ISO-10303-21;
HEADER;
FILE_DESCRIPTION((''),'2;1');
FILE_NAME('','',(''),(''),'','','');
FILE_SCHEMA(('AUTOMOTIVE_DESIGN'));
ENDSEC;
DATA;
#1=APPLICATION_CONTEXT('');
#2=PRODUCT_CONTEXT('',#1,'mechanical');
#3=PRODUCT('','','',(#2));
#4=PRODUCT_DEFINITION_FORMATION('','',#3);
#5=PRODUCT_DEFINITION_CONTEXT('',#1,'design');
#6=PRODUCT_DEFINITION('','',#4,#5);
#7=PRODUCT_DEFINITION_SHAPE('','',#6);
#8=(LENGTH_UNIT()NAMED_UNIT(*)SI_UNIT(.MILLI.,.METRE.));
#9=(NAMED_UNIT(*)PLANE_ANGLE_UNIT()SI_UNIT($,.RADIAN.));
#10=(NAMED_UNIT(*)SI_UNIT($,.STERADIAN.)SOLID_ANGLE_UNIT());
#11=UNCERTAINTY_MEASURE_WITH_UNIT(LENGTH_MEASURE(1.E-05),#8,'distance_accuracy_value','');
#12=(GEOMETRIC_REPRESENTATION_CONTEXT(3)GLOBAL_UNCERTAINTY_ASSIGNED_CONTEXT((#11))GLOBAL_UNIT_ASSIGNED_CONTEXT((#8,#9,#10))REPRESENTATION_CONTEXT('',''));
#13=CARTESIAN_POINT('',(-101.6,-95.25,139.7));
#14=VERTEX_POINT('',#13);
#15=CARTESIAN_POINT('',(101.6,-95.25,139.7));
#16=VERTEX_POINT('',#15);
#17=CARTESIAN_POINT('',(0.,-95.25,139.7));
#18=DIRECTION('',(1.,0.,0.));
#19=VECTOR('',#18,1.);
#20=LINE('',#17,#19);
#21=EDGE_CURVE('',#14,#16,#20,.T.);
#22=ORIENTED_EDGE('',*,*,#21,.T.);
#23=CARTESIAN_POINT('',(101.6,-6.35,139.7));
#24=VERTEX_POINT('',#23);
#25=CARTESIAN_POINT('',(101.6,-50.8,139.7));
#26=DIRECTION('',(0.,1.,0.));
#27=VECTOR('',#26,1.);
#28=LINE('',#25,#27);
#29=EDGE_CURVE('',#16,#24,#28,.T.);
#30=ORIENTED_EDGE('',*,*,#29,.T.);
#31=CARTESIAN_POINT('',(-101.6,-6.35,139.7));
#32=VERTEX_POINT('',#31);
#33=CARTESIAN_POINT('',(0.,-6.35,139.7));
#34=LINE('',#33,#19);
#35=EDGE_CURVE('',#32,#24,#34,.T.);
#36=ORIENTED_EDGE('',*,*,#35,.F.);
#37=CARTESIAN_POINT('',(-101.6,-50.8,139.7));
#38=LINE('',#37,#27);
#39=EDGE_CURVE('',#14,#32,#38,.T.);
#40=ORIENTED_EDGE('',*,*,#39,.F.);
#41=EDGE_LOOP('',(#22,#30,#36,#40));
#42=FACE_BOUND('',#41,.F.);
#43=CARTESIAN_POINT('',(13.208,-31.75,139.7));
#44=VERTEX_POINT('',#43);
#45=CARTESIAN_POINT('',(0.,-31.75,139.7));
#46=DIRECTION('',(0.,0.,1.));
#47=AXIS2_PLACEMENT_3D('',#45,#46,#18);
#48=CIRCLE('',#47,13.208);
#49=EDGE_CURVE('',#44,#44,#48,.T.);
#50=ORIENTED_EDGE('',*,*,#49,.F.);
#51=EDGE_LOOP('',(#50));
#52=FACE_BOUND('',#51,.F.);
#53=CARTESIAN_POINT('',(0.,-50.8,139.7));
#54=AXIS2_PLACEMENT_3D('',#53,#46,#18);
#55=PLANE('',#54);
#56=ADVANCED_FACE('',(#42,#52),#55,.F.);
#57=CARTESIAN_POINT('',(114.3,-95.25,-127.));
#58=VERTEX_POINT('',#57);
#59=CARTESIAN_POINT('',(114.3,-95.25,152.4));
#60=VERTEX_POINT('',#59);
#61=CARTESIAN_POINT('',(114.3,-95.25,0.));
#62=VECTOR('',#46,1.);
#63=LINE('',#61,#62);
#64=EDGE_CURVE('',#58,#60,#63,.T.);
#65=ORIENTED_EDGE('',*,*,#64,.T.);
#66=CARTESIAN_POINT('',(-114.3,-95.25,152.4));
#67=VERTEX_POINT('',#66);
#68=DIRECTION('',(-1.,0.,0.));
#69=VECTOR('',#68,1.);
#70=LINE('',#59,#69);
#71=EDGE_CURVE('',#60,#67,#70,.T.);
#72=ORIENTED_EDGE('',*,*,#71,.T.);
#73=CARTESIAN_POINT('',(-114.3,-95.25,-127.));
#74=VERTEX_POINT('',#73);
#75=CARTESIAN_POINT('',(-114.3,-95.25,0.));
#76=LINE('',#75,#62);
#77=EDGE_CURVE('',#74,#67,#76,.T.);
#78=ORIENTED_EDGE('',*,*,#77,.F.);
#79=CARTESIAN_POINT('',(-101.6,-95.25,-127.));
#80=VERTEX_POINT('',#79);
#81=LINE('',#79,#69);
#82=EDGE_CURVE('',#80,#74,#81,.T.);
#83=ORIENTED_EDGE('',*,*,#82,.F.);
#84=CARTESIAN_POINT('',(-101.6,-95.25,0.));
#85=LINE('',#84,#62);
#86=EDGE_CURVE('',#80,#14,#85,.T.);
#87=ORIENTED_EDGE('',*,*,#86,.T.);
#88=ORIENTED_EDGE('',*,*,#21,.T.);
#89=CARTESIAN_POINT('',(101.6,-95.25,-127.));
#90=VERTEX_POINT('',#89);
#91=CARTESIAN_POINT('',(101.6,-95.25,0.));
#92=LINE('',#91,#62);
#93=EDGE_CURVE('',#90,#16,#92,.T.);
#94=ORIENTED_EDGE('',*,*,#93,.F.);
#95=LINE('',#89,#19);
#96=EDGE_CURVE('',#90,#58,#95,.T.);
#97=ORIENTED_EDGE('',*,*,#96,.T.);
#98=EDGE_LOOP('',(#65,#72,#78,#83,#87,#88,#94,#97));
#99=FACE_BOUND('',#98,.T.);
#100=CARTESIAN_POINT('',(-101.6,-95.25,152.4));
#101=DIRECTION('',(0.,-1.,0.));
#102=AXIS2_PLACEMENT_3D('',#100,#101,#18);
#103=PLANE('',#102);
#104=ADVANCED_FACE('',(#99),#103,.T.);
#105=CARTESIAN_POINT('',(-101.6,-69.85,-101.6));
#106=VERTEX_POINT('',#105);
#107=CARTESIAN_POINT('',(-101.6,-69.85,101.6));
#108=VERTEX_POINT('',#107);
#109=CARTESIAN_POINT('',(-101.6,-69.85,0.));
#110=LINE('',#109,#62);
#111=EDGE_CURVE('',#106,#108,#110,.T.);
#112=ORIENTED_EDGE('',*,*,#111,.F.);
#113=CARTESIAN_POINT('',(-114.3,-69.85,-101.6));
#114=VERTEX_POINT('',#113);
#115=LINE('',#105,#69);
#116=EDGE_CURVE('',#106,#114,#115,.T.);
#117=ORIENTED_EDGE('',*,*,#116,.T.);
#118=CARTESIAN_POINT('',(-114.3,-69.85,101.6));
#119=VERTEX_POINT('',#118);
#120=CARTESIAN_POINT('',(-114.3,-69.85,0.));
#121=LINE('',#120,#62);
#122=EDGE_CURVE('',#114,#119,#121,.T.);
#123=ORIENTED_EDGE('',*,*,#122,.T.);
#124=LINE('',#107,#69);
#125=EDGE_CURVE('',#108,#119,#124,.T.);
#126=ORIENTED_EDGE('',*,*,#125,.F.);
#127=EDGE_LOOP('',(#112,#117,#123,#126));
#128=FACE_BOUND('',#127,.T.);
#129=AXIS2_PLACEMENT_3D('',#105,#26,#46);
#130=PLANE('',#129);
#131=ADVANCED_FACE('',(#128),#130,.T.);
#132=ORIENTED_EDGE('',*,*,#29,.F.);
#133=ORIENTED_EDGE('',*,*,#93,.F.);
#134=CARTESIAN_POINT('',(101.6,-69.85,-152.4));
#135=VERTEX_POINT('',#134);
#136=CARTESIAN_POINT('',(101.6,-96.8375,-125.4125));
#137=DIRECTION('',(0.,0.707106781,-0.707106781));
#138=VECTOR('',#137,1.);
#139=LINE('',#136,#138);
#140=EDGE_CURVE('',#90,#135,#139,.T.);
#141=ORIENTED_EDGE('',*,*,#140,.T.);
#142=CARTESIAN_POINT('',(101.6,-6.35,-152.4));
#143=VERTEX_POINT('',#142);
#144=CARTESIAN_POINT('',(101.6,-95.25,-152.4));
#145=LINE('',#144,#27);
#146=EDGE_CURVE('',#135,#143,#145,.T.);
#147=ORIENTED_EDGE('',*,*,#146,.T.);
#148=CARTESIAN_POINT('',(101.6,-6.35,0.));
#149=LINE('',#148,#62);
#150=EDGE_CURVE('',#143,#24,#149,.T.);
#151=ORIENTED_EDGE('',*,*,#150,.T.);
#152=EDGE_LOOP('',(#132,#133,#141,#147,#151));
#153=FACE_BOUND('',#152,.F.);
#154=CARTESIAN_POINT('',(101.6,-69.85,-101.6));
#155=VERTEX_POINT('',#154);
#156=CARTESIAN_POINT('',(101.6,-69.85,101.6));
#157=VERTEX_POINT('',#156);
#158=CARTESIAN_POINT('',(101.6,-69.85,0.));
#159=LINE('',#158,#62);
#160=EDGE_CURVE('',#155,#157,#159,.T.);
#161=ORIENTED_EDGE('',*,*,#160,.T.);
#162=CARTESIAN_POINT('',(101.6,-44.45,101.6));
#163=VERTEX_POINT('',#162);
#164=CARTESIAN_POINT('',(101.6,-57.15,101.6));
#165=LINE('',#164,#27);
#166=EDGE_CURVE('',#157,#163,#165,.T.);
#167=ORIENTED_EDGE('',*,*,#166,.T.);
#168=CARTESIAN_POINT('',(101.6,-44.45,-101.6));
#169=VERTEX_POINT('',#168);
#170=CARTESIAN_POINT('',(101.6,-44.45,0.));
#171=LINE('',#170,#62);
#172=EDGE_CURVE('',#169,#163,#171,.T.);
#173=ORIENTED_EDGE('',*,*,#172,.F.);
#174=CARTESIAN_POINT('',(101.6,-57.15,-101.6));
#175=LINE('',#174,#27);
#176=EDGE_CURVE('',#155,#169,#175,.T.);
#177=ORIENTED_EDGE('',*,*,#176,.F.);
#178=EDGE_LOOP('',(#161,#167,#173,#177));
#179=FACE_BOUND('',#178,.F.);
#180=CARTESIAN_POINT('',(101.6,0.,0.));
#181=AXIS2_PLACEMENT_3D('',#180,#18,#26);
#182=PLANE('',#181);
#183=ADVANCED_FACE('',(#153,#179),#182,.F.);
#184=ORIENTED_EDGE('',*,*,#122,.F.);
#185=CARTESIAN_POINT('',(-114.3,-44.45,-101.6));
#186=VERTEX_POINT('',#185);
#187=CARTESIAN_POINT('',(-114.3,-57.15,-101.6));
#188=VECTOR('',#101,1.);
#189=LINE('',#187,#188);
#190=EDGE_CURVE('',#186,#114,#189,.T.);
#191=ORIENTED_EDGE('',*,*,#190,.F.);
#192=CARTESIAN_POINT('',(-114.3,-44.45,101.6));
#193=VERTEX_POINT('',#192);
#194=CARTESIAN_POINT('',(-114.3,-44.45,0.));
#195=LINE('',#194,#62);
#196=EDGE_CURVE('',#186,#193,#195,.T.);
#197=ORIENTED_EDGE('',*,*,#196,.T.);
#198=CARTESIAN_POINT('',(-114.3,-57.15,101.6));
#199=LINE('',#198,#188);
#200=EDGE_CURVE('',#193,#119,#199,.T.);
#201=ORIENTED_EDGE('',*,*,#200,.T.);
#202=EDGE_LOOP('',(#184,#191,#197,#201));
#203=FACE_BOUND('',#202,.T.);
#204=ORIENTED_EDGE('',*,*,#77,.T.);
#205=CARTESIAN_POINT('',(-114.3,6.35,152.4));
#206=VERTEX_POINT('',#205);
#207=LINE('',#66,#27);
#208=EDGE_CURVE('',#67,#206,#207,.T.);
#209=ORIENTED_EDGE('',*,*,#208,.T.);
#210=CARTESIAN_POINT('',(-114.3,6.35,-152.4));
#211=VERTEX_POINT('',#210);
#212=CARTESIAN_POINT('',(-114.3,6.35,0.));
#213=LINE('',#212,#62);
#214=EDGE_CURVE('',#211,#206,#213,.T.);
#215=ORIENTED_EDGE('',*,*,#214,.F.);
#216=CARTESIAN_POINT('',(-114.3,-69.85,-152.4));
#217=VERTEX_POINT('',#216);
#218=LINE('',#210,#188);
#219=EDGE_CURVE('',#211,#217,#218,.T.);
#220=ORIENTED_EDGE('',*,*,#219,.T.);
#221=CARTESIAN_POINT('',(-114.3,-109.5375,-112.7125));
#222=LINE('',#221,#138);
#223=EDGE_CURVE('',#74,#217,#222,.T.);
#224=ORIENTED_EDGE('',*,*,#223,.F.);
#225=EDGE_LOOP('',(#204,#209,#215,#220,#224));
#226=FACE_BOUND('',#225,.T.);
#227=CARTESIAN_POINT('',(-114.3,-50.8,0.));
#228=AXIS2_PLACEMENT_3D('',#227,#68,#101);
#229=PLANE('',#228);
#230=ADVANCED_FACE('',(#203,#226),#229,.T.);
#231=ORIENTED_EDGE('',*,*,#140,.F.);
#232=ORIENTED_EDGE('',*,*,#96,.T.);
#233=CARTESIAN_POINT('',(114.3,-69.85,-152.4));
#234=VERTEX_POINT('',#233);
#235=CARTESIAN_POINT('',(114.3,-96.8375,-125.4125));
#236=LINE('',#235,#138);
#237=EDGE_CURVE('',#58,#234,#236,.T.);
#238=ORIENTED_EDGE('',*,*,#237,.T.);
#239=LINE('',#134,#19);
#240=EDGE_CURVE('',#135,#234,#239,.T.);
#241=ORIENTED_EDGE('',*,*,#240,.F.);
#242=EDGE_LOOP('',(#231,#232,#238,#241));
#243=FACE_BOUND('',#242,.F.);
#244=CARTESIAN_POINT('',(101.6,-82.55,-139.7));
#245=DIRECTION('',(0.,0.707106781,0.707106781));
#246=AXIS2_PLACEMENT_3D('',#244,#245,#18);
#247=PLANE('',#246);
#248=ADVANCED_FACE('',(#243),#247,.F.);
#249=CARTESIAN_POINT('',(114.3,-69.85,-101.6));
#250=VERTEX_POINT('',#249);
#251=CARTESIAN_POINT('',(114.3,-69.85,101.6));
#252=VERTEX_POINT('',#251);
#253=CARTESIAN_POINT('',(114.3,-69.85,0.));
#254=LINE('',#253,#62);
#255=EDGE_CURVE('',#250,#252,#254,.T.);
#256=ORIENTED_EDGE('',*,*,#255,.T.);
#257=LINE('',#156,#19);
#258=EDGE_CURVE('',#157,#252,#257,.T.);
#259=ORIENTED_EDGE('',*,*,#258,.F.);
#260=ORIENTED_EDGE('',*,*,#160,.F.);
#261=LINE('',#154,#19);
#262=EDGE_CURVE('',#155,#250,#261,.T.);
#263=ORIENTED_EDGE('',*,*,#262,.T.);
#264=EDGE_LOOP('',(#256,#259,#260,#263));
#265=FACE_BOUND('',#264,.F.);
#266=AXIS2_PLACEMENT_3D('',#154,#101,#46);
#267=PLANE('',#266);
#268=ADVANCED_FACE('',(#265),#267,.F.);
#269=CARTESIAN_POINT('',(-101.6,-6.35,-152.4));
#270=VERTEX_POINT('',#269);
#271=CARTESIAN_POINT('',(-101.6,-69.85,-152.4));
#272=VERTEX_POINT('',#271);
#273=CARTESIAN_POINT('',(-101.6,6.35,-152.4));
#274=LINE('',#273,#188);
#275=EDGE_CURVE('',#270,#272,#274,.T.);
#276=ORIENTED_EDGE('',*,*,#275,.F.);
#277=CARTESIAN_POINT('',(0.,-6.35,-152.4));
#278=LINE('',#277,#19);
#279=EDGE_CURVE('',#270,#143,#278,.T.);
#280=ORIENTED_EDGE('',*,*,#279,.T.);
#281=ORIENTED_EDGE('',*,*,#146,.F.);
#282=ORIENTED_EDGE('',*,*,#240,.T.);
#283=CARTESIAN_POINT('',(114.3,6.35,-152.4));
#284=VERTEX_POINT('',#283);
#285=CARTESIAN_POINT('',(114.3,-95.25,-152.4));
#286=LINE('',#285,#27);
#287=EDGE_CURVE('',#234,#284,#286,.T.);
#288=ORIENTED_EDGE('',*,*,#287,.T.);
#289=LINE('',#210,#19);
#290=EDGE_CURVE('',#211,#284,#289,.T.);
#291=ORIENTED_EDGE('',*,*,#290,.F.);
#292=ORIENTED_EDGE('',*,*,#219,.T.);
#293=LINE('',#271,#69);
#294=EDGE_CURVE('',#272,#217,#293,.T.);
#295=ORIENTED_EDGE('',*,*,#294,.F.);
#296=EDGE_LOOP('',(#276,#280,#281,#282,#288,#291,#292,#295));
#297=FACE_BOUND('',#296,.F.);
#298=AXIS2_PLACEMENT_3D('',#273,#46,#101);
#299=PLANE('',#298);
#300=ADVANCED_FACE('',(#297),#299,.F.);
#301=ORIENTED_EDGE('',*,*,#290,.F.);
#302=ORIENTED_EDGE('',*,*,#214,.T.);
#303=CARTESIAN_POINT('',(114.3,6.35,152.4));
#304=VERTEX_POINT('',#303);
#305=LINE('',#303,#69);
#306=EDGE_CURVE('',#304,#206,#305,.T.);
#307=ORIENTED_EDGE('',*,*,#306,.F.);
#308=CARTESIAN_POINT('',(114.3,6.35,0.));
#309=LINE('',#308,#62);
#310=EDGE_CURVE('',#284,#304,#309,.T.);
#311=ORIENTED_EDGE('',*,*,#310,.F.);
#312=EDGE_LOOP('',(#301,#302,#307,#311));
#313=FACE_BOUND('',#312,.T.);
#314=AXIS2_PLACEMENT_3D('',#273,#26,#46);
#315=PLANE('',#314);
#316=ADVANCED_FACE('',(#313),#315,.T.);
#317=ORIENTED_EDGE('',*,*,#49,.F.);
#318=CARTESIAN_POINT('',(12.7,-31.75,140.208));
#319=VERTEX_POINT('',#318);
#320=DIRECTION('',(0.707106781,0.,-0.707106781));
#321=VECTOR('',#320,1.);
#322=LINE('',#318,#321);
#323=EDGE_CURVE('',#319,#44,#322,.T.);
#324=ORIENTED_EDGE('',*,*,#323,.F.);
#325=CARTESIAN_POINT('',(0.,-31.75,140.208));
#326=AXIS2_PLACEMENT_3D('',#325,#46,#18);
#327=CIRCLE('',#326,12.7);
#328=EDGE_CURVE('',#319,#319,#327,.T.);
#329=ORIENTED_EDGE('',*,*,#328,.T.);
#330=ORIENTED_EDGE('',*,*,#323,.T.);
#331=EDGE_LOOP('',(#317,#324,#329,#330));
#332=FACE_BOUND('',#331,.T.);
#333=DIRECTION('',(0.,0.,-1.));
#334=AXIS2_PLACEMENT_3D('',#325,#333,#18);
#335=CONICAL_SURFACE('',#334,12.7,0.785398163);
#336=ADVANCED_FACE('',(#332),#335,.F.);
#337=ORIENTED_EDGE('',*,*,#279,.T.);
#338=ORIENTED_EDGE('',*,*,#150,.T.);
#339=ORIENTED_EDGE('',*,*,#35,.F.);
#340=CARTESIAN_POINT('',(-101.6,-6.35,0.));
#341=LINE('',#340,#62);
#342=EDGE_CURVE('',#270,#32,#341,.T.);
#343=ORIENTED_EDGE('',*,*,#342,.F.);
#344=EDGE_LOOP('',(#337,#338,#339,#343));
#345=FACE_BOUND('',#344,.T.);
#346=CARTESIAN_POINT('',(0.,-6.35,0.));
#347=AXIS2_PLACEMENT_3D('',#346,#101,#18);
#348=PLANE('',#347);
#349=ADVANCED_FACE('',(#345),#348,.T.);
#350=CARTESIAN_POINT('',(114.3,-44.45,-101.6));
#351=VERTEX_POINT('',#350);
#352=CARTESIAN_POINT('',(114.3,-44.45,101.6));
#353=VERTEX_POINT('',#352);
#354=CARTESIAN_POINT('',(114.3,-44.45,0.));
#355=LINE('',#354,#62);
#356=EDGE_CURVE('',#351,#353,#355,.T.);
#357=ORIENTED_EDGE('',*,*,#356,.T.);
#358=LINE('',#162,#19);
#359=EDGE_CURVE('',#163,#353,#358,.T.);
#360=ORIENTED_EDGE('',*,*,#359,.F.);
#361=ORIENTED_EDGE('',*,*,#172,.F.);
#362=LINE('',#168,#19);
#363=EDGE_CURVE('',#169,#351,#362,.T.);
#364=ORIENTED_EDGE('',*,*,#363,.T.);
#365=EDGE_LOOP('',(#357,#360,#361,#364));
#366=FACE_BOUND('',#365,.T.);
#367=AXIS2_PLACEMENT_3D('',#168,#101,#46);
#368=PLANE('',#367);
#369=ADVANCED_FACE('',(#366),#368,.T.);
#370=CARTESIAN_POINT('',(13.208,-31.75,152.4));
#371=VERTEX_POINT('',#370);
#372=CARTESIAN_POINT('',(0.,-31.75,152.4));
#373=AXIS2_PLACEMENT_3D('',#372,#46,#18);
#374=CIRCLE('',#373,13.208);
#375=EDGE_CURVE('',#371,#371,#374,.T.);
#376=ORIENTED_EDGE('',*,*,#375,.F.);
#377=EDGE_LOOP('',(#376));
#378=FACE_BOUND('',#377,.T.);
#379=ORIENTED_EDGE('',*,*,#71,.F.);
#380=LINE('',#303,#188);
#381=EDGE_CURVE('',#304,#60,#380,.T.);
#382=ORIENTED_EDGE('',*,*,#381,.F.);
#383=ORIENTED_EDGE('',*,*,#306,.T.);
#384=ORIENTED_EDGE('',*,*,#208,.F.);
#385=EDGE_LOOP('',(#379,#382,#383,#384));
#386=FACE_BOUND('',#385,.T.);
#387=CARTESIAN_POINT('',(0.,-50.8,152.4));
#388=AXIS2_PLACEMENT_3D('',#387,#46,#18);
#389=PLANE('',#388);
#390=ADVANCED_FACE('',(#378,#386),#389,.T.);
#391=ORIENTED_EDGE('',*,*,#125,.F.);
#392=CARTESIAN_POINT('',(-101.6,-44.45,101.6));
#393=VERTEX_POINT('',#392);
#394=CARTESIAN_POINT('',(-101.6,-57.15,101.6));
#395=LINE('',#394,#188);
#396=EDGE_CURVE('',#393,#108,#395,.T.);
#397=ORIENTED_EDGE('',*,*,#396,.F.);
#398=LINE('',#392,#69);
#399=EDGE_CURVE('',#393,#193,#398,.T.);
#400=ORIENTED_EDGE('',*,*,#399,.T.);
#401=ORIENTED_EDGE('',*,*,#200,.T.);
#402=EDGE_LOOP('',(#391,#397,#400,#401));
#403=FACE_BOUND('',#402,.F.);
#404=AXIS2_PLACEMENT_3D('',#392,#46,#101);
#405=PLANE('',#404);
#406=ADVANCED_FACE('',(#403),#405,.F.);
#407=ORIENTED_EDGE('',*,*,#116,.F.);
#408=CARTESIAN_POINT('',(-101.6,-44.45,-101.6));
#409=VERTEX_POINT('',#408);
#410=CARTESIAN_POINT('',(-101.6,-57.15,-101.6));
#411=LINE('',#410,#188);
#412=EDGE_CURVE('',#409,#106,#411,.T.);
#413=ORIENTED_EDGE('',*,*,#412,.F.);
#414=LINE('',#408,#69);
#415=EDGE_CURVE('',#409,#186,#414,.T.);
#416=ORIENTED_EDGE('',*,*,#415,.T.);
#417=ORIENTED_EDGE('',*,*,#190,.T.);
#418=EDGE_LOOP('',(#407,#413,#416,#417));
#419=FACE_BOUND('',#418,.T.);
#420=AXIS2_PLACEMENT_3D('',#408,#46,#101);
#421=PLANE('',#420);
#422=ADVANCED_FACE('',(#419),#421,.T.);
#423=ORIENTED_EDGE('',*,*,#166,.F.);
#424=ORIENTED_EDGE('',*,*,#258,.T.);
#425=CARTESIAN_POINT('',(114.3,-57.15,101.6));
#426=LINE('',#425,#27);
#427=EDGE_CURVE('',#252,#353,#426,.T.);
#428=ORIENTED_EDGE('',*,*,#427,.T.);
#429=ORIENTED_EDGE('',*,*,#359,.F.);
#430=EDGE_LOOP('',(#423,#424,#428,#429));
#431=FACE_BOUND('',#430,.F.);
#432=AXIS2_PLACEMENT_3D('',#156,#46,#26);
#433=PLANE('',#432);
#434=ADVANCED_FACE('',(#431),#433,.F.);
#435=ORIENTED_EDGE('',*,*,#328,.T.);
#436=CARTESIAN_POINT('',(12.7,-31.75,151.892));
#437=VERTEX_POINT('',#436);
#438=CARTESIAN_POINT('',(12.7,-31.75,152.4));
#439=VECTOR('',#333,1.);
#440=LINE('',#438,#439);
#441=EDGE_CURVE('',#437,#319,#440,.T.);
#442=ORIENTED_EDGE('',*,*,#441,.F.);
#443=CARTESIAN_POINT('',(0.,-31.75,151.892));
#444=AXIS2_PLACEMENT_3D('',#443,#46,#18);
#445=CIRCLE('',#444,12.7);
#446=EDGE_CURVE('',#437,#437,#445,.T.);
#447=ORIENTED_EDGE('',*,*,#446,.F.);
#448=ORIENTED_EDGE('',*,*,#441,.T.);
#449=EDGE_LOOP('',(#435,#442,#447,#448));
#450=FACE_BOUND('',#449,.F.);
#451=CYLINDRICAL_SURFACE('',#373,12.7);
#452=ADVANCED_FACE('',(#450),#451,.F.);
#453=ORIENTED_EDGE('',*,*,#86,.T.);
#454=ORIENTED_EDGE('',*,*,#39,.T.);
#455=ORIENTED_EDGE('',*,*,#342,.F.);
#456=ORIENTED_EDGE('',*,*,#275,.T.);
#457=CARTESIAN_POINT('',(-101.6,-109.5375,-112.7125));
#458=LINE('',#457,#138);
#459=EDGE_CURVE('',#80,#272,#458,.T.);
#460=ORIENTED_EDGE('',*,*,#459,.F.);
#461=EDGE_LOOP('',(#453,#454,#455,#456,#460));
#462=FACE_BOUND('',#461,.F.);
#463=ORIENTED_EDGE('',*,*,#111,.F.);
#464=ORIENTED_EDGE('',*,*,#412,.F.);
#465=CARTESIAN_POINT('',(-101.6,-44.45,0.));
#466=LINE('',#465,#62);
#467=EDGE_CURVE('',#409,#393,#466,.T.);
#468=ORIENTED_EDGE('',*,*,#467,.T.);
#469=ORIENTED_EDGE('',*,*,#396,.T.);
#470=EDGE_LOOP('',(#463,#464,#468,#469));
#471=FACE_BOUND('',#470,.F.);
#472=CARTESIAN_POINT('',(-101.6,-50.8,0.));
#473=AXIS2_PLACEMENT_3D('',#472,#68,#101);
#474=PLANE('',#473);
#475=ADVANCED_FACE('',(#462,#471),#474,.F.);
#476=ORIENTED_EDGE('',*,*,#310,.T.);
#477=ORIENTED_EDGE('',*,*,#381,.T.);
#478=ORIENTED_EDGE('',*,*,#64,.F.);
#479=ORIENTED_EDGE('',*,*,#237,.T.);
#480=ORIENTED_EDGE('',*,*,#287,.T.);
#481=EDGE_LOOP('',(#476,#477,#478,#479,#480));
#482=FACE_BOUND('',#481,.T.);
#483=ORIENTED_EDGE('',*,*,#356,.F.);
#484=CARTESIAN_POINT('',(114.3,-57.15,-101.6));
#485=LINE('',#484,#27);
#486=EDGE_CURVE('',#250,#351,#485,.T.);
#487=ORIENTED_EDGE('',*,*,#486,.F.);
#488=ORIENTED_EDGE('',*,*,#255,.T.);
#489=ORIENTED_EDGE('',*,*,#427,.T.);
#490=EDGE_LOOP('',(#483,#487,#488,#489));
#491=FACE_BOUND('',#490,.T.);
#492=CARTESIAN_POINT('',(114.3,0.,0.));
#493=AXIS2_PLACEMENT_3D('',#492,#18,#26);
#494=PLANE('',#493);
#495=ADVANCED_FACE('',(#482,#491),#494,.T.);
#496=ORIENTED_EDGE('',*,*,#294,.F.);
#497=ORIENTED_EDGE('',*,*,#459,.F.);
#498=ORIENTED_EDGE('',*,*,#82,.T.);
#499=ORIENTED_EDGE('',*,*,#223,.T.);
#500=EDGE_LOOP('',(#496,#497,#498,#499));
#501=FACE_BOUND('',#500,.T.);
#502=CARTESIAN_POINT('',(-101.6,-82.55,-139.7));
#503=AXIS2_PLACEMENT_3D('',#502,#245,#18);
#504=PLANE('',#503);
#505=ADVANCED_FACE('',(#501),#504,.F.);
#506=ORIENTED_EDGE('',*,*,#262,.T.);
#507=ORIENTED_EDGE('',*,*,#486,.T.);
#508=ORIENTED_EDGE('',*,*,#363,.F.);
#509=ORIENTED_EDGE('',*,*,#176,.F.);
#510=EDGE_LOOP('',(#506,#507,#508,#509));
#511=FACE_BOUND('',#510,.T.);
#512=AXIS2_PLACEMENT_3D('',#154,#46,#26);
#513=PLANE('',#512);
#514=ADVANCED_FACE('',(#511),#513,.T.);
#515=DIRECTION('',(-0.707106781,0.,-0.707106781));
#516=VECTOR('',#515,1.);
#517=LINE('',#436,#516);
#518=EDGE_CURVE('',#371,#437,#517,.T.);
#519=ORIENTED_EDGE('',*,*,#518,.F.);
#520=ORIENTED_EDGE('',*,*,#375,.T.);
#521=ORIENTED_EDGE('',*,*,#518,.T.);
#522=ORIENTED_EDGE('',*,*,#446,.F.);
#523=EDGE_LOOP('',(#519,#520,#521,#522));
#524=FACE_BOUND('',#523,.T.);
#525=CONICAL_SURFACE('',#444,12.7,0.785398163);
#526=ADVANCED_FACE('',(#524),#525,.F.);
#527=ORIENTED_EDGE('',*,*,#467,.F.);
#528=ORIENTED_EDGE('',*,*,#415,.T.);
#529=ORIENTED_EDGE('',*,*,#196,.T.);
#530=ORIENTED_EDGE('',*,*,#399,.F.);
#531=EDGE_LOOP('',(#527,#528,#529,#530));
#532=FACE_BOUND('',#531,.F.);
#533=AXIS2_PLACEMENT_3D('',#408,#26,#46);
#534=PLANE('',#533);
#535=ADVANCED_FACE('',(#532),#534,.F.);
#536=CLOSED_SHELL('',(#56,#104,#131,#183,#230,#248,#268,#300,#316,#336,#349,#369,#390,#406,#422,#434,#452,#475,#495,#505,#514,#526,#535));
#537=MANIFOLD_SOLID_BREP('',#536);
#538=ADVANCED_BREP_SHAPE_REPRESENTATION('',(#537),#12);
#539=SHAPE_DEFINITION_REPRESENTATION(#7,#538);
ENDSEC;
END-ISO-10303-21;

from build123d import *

# Parameters (mm, degrees)
F0_W     = 203.2
F0_H     = 304.8
F1_DEPTH = 6.35
F2_W     = 12.7
F2_H     = 304.8
F2_W_2   = 88.9
F2_W_3   = 25.4
F2_H_2   = 203.2
F3_DEPTH = 12.7
F4_W     = 88.9
F4_H     = 304.8
F4_W_2   = 25.4
F4_H_2   = 203.2
F4_W_3   = 12.7
F5_DEPTH = 12.7
F6_W     = 203.2
F6_H     = 88.9
F6_R     = 12.7
F7_DEPTH = 12.7
F8_SIZE  = 0.508
F9_SIZE  = 25.4


with BuildPart() as f1:
    # F0 (on Front) → F1 (new body, symmetric)
    with BuildSketch(Plane.XZ):
        Rectangle(F0_W, F0_H)
    extrude(amount=F1_DEPTH, both=True)

    # F2 (on face) → F3 (join)
    with BuildSketch(Plane.YZ.offset(101.6)):
        Rectangle(F2_W, F2_H)
        with Locations((-50.8, 0)):
            Rectangle(F2_W_2, F2_H)
        with Locations((-57.15, 0)):
            Rectangle(F2_W_3, F2_H_2, mode=Mode.SUBTRACT)
    extrude(amount=F3_DEPTH)

    # F4 (on face) → F5 (join)
    with BuildSketch(Plane(origin=(-101.6, 0, 0), x_dir=(0, -1, 0), z_dir=(-1, 0, 0))):
        with Locations((50.8, 0)):
            Rectangle(F4_W, F4_H)
        with Locations((57.15, 0)):
            Rectangle(F4_W_2, F4_H_2, mode=Mode.SUBTRACT)
        Rectangle(F4_W_3, F4_H)
    extrude(amount=F5_DEPTH)

    # F6 (on face) → F7 (join)
    with BuildSketch(Plane.XY.offset(152.4)):
        with Locations((0, -50.8)):
            Rectangle(F6_W, F6_H)
        with Locations((0, -31.75)):
            Circle(F6_R, mode=Mode.SUBTRACT)
    extrude(amount=-F7_DEPTH)

    # F8
    f8_edges = [f1.edges().sort_by_distance(p)[0] for p in [
        (-12.7, -31.75, 152.4),
        (-12.7, -31.75, 139.7),
    ]]
    chamfer(f8_edges, length=F8_SIZE)

    # F9
    f9_edges = [f1.edges().sort_by_distance(p)[0] for p in [
        (107.95, -95.25, -152.4),
        (-107.95, -95.25, -152.4),
    ]]
    chamfer(f9_edges, length=F9_SIZE)


solid = f1.part
